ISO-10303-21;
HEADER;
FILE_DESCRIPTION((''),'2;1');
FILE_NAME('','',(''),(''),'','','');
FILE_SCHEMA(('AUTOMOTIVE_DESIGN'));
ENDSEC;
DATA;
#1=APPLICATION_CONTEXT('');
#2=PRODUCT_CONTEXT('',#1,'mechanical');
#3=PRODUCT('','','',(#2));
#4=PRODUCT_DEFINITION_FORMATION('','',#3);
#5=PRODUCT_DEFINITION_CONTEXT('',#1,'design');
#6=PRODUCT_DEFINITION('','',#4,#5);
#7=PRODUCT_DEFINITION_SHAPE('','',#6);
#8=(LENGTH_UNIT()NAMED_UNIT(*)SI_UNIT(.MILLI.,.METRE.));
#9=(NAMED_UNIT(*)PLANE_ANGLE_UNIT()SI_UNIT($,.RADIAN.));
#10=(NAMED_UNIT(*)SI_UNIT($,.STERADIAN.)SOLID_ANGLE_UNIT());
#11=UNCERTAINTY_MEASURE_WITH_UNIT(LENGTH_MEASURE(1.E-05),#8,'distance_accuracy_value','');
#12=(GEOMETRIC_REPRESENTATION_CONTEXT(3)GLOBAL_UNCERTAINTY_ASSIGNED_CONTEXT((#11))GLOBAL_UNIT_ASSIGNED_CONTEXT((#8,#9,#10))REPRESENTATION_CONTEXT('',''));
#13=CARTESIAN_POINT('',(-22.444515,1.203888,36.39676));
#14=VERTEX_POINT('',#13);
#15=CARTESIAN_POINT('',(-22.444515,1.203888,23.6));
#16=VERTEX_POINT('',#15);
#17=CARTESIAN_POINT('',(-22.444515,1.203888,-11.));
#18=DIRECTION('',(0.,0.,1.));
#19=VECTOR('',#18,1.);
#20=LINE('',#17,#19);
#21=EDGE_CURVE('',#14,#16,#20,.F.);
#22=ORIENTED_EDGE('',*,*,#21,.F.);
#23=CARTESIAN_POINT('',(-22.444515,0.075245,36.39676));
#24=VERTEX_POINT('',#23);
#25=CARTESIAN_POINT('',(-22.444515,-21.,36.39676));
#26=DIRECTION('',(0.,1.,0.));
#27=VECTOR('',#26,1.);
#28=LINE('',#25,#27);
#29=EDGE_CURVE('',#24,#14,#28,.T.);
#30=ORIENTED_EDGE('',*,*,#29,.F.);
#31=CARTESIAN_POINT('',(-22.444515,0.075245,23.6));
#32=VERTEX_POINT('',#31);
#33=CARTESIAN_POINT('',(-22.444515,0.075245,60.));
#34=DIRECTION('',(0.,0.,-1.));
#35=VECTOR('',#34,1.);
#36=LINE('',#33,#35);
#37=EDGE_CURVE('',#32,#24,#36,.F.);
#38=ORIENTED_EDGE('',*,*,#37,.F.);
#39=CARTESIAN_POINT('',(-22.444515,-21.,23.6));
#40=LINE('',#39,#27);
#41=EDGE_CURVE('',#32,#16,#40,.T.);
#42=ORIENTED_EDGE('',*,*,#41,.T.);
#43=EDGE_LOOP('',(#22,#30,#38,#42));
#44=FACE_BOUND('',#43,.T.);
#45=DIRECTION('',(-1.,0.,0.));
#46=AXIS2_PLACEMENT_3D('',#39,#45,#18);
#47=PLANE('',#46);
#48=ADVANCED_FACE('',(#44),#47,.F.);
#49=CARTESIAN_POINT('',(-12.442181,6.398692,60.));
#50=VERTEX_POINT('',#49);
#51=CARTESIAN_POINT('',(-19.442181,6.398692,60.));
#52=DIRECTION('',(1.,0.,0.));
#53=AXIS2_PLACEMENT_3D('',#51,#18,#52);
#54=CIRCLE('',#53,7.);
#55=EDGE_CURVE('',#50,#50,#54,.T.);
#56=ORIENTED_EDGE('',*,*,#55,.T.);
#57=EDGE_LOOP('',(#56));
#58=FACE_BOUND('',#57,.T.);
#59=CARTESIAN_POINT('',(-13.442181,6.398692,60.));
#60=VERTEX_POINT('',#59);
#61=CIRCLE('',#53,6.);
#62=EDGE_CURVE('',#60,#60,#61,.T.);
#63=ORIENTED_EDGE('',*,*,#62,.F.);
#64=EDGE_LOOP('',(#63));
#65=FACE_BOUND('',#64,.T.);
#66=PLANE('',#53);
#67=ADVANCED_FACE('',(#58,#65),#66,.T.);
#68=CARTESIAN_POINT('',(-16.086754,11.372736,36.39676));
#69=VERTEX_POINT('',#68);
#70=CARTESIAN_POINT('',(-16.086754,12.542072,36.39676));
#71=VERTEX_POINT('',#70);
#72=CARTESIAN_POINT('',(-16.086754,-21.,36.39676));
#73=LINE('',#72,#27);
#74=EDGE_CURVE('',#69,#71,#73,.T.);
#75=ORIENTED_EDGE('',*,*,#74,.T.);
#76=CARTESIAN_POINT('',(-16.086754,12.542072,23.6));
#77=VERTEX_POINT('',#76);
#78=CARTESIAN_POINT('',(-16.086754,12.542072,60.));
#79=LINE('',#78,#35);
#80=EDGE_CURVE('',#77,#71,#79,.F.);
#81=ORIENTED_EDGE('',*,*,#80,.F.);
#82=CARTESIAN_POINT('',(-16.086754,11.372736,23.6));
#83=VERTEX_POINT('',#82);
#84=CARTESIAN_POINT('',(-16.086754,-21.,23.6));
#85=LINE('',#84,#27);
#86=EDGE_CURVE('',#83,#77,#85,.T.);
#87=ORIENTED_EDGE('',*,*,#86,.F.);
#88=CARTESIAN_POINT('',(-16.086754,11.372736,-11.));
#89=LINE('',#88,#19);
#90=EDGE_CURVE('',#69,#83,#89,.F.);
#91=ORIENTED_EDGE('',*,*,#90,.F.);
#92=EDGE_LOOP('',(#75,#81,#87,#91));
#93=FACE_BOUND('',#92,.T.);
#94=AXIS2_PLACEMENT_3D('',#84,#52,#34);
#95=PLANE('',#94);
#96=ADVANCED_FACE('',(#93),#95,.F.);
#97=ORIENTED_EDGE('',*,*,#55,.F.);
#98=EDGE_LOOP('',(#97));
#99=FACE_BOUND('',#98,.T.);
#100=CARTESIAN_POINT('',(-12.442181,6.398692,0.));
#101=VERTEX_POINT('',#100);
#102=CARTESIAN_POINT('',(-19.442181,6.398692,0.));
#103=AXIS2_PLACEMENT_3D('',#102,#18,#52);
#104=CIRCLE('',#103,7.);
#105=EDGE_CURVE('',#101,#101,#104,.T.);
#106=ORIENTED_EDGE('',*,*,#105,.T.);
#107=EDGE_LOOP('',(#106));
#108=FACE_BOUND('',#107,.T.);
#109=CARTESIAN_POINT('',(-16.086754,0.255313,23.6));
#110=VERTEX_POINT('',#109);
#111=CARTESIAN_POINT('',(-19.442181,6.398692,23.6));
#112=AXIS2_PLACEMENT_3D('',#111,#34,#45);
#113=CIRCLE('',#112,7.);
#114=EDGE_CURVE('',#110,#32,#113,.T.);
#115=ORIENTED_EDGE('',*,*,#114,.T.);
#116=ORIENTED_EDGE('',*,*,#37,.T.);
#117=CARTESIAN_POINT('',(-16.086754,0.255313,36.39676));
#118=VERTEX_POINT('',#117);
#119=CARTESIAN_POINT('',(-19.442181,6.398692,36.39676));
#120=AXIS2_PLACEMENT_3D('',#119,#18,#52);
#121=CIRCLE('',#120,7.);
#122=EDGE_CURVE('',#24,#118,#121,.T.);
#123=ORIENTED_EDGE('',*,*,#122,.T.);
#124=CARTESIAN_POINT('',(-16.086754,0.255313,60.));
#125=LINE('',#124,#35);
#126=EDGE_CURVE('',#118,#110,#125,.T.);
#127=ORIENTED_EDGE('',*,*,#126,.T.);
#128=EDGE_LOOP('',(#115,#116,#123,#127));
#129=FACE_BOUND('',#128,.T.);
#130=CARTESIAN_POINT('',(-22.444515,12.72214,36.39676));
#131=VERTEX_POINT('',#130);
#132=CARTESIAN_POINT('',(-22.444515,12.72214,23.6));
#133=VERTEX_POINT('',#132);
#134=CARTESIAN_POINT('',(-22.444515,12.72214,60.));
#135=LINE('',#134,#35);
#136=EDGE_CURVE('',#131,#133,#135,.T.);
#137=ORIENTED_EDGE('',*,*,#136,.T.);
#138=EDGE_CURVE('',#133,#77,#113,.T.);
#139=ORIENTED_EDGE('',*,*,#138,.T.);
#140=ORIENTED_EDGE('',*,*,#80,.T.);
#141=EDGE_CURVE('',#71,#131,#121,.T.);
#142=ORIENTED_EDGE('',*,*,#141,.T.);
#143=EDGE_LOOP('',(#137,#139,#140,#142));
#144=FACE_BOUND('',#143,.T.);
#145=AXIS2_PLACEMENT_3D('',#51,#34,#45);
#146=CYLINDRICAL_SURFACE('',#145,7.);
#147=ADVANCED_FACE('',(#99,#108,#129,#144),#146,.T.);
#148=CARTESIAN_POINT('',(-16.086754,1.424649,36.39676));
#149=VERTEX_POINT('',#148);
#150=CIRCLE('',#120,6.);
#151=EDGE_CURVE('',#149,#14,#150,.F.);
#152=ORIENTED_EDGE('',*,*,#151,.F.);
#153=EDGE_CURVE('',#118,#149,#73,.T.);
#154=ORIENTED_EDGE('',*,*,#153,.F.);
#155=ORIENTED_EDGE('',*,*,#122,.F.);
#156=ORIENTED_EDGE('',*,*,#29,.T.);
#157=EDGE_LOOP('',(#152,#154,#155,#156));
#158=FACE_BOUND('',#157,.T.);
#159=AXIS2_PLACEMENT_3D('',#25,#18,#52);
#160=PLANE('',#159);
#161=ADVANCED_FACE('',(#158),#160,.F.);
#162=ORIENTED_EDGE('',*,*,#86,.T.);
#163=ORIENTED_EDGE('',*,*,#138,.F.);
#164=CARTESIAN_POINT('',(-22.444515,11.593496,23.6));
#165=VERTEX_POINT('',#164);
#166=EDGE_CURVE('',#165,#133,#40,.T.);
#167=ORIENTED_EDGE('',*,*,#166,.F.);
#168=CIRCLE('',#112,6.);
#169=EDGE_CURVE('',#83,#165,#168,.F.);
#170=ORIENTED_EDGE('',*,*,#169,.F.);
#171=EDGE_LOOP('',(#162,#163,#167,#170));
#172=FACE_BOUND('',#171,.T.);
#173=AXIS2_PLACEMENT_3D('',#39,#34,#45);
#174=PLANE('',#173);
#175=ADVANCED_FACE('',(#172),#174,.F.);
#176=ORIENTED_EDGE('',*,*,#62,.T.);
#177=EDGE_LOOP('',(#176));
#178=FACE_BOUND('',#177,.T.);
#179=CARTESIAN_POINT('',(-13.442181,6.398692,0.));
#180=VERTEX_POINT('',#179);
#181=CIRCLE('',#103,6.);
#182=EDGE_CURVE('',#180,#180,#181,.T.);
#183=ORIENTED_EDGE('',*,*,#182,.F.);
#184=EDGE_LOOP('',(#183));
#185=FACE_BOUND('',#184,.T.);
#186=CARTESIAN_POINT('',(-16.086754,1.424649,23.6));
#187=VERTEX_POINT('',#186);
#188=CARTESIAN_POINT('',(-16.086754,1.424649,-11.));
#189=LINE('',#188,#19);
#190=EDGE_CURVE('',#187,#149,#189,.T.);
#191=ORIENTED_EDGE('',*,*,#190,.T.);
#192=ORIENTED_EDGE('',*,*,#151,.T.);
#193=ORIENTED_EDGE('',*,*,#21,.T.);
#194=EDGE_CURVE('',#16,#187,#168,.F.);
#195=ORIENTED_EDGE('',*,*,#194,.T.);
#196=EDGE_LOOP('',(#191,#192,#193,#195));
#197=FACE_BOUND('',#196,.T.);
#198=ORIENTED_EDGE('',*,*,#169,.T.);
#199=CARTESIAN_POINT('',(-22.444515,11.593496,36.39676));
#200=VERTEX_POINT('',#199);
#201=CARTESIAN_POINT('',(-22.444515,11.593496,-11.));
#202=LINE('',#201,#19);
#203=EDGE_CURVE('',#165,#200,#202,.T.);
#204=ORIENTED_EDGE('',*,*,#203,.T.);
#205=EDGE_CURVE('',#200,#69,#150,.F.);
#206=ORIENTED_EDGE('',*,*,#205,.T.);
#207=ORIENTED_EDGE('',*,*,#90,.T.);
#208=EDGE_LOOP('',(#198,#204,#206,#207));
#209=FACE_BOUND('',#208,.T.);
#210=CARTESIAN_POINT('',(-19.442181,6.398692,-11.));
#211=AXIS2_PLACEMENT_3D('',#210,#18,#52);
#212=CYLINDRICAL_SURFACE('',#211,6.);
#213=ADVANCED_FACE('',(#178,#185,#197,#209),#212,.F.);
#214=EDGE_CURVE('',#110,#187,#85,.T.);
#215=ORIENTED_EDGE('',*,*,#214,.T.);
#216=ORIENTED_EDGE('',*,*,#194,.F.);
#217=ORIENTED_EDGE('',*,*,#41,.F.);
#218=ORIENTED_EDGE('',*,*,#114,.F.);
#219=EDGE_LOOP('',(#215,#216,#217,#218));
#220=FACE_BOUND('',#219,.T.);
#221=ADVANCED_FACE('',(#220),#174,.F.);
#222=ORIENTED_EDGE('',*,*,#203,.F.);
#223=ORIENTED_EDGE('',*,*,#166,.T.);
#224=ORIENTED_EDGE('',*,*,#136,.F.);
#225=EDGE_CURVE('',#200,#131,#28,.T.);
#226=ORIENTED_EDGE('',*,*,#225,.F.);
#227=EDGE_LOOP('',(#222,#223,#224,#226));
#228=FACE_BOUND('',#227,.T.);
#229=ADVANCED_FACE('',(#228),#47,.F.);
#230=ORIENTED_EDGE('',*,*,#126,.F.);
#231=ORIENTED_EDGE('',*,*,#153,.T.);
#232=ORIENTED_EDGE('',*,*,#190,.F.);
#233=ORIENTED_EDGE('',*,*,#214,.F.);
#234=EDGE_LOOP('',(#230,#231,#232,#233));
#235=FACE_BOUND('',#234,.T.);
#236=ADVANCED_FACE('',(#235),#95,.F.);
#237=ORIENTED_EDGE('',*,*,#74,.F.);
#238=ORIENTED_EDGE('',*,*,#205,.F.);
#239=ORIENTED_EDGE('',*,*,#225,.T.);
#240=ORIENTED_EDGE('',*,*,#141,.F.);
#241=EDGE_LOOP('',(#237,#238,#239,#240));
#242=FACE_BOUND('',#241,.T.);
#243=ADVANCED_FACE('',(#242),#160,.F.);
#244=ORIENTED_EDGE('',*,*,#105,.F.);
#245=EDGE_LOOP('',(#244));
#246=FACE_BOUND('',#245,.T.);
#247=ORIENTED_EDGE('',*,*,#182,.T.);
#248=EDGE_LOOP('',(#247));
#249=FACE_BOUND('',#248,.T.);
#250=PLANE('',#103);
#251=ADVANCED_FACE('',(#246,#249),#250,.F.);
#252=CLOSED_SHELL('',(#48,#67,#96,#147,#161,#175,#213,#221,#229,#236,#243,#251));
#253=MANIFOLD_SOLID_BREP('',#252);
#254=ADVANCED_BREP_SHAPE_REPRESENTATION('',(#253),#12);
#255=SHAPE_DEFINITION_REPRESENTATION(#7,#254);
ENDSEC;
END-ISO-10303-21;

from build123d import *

# Parameters (mm, degrees)
ESBO_O1_R                  = 7
RESSALTO_EXTRUS_O1_DEPTH   = 60
ESBO_O2_R                  = 6
CORTE_EXTRUS_O1_DEPTH      = 71
CORTE_EXTRUS_O2_DEPTH      = 21
CORTE_EXTRUS_O2_DEPTH_BACK = 21
ESBO_O3_W                  = 6.357761197
ESBO_O3_H                  = 12.7967598


with BuildPart() as part:
    # Esboço1 → Ressalto-extrusão1 (new body)
    with BuildSketch(Plane.XY):
        with Locations((-19.442180611, 6.398692353)):
            Circle(ESBO_O1_R)
    extrude(amount=RESSALTO_EXTRUS_O1_DEPTH)

    # Esboço2 → Corte-extrusão1 (cut)
    with BuildSketch(Plane.XY.offset(60)):
        with Locations((-19.442180611, 6.398692353)):
            Circle(ESBO_O2_R)
    extrude(amount=-CORTE_EXTRUS_O1_DEPTH, mode=Mode.SUBTRACT)

    # Esboço3 → Corte-extrusão2 (cut, two sides: drawn at the far end of the back side and taken through both)
    with BuildSketch(Plane(origin=(0, 0, 0), x_dir=(1, 0, 0), z_dir=(0, 1, 0)).offset(-CORTE_EXTRUS_O2_DEPTH_BACK)):
        with Locations((-19.265634303, -29.9983799)):
            Rectangle(ESBO_O3_W, ESBO_O3_H)
    extrude(amount=CORTE_EXTRUS_O2_DEPTH + CORTE_EXTRUS_O2_DEPTH_BACK, mode=Mode.SUBTRACT)


solid = part.part
